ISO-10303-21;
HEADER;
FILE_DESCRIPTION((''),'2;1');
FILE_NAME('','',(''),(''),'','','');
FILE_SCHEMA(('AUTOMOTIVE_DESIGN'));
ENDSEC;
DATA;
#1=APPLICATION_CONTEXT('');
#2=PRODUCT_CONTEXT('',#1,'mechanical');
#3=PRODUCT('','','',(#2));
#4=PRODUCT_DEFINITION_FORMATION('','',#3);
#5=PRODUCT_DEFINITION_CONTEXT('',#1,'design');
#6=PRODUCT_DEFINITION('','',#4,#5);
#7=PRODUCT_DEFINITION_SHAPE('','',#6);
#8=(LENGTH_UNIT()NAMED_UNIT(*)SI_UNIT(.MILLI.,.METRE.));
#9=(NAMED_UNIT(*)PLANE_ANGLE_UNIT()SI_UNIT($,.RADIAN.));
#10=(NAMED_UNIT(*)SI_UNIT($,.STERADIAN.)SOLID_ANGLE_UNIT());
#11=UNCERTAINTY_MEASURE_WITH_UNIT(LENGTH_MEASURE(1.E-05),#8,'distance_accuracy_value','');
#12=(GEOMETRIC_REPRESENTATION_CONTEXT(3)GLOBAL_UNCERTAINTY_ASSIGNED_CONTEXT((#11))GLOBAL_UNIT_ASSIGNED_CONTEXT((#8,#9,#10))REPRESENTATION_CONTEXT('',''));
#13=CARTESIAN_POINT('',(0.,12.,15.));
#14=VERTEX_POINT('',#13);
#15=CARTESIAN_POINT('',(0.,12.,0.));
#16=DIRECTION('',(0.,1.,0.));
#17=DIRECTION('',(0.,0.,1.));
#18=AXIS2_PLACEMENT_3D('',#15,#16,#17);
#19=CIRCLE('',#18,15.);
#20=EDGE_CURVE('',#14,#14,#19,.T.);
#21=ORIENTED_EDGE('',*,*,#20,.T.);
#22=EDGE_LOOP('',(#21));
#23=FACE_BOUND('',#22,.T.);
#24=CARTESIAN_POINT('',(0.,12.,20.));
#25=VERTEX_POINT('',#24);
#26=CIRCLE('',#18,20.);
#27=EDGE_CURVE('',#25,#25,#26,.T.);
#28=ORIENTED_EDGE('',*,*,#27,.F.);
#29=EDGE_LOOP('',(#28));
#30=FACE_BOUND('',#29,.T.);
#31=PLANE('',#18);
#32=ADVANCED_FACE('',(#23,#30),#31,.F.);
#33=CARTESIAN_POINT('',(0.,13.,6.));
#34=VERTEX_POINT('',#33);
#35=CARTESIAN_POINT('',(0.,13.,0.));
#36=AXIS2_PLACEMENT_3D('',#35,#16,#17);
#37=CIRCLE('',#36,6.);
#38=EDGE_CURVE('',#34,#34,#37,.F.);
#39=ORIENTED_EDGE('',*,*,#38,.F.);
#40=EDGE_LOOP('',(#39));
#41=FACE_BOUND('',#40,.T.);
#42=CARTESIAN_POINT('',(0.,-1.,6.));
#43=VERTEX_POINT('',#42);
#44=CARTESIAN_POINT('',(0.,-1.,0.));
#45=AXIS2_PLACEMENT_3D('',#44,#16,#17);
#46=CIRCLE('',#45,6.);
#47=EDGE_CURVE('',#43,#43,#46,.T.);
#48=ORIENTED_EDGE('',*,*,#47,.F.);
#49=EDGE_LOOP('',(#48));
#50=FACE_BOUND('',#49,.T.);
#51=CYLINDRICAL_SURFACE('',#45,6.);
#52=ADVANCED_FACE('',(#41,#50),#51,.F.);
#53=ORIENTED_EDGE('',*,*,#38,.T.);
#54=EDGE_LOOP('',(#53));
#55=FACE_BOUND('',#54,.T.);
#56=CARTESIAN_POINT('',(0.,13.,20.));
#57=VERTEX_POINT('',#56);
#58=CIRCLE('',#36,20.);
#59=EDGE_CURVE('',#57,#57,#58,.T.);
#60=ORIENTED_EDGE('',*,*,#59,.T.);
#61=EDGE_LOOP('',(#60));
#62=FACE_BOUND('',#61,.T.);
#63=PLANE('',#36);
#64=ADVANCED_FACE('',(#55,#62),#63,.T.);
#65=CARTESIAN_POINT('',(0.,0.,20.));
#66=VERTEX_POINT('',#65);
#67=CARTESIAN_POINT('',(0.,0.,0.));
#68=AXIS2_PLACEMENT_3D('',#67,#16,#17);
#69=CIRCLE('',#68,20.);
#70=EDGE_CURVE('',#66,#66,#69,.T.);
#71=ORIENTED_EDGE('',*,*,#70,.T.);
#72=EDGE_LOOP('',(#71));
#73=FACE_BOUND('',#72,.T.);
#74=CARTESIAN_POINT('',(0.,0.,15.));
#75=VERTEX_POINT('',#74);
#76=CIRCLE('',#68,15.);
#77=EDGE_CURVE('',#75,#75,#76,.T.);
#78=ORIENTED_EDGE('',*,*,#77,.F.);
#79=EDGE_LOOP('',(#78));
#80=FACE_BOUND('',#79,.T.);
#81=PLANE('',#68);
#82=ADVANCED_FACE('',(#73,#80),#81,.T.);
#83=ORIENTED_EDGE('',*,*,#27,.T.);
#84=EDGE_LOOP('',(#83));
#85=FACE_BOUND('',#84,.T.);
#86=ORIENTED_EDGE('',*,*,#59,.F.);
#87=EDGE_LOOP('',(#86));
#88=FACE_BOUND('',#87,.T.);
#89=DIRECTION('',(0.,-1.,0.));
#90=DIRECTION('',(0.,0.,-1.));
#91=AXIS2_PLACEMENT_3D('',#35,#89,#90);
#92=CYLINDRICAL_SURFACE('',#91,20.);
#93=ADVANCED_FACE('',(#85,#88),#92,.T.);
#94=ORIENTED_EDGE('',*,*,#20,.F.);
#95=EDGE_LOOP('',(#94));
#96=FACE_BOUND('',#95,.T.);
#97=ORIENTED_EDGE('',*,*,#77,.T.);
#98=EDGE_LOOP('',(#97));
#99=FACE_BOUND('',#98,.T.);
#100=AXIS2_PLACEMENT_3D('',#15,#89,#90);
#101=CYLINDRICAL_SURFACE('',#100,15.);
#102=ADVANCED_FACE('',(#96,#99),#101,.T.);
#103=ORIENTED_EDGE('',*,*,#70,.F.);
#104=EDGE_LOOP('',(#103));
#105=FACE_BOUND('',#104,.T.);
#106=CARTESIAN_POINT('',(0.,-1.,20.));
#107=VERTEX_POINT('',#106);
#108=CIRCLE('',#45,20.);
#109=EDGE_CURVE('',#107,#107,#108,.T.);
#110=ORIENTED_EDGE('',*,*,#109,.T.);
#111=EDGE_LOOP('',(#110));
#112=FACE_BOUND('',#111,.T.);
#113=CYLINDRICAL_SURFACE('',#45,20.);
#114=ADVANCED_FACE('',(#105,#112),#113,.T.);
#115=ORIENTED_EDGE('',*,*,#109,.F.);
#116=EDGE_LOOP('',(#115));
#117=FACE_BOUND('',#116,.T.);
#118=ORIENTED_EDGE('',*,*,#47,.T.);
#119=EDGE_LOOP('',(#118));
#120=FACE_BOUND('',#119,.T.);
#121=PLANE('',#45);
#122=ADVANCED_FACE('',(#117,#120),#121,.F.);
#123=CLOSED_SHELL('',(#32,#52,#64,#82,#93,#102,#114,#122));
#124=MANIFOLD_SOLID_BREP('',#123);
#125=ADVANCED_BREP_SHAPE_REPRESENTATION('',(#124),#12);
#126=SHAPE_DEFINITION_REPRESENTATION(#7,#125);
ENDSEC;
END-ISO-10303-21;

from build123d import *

# Parameters (mm, degrees)
ESQUISSE1_R        = 20
ESQUISSE1_R_2      = 6
BOSS_EXTRU_1_DEPTH = 1
BOSS_EXTRU_2_START = 12
ESQUISSE1_3_R      = 15
ESQUISSE1_3_R_2    = 6
BOSS_EXTRU_2_DEPTH = 12
BOSS_EXTRU_4_START = 1
ESQUISSE2_R        = 20
ESQUISSE2_R_2      = 6
BOSS_EXTRU_4_DEPTH = 1


with BuildPart() as part:
    # Esquisse1 → Boss.-Extru.1 (new body)
    with BuildSketch(Plane(origin=(0, 0, 0), x_dir=(1, 0, 0), z_dir=(0, 1, 0))):
        Circle(ESQUISSE1_R)
        Circle(ESQUISSE1_R_2, mode=Mode.SUBTRACT)
    extrude(amount=-BOSS_EXTRU_1_DEPTH)

    # Esquisse1<3> → Boss.-Extru.2 (add)
    with BuildSketch(Plane(origin=(0, 0, 0), x_dir=(1, 0, 0), z_dir=(0, 1, 0)).offset(BOSS_EXTRU_2_START)):
        Circle(ESQUISSE1_3_R)
        Circle(ESQUISSE1_3_R_2, mode=Mode.SUBTRACT)
    extrude(amount=-BOSS_EXTRU_2_DEPTH)

    # Esquisse2 → Boss.-Extru.4 (add)
    with BuildSketch(Plane(origin=(0, 12, 0), x_dir=(1, 0, 0), z_dir=(0, 1, 0)).offset(BOSS_EXTRU_4_START)):
        Circle(ESQUISSE2_R)
        Circle(ESQUISSE2_R_2, mode=Mode.SUBTRACT)
    extrude(amount=-BOSS_EXTRU_4_DEPTH)


solid = part.part
